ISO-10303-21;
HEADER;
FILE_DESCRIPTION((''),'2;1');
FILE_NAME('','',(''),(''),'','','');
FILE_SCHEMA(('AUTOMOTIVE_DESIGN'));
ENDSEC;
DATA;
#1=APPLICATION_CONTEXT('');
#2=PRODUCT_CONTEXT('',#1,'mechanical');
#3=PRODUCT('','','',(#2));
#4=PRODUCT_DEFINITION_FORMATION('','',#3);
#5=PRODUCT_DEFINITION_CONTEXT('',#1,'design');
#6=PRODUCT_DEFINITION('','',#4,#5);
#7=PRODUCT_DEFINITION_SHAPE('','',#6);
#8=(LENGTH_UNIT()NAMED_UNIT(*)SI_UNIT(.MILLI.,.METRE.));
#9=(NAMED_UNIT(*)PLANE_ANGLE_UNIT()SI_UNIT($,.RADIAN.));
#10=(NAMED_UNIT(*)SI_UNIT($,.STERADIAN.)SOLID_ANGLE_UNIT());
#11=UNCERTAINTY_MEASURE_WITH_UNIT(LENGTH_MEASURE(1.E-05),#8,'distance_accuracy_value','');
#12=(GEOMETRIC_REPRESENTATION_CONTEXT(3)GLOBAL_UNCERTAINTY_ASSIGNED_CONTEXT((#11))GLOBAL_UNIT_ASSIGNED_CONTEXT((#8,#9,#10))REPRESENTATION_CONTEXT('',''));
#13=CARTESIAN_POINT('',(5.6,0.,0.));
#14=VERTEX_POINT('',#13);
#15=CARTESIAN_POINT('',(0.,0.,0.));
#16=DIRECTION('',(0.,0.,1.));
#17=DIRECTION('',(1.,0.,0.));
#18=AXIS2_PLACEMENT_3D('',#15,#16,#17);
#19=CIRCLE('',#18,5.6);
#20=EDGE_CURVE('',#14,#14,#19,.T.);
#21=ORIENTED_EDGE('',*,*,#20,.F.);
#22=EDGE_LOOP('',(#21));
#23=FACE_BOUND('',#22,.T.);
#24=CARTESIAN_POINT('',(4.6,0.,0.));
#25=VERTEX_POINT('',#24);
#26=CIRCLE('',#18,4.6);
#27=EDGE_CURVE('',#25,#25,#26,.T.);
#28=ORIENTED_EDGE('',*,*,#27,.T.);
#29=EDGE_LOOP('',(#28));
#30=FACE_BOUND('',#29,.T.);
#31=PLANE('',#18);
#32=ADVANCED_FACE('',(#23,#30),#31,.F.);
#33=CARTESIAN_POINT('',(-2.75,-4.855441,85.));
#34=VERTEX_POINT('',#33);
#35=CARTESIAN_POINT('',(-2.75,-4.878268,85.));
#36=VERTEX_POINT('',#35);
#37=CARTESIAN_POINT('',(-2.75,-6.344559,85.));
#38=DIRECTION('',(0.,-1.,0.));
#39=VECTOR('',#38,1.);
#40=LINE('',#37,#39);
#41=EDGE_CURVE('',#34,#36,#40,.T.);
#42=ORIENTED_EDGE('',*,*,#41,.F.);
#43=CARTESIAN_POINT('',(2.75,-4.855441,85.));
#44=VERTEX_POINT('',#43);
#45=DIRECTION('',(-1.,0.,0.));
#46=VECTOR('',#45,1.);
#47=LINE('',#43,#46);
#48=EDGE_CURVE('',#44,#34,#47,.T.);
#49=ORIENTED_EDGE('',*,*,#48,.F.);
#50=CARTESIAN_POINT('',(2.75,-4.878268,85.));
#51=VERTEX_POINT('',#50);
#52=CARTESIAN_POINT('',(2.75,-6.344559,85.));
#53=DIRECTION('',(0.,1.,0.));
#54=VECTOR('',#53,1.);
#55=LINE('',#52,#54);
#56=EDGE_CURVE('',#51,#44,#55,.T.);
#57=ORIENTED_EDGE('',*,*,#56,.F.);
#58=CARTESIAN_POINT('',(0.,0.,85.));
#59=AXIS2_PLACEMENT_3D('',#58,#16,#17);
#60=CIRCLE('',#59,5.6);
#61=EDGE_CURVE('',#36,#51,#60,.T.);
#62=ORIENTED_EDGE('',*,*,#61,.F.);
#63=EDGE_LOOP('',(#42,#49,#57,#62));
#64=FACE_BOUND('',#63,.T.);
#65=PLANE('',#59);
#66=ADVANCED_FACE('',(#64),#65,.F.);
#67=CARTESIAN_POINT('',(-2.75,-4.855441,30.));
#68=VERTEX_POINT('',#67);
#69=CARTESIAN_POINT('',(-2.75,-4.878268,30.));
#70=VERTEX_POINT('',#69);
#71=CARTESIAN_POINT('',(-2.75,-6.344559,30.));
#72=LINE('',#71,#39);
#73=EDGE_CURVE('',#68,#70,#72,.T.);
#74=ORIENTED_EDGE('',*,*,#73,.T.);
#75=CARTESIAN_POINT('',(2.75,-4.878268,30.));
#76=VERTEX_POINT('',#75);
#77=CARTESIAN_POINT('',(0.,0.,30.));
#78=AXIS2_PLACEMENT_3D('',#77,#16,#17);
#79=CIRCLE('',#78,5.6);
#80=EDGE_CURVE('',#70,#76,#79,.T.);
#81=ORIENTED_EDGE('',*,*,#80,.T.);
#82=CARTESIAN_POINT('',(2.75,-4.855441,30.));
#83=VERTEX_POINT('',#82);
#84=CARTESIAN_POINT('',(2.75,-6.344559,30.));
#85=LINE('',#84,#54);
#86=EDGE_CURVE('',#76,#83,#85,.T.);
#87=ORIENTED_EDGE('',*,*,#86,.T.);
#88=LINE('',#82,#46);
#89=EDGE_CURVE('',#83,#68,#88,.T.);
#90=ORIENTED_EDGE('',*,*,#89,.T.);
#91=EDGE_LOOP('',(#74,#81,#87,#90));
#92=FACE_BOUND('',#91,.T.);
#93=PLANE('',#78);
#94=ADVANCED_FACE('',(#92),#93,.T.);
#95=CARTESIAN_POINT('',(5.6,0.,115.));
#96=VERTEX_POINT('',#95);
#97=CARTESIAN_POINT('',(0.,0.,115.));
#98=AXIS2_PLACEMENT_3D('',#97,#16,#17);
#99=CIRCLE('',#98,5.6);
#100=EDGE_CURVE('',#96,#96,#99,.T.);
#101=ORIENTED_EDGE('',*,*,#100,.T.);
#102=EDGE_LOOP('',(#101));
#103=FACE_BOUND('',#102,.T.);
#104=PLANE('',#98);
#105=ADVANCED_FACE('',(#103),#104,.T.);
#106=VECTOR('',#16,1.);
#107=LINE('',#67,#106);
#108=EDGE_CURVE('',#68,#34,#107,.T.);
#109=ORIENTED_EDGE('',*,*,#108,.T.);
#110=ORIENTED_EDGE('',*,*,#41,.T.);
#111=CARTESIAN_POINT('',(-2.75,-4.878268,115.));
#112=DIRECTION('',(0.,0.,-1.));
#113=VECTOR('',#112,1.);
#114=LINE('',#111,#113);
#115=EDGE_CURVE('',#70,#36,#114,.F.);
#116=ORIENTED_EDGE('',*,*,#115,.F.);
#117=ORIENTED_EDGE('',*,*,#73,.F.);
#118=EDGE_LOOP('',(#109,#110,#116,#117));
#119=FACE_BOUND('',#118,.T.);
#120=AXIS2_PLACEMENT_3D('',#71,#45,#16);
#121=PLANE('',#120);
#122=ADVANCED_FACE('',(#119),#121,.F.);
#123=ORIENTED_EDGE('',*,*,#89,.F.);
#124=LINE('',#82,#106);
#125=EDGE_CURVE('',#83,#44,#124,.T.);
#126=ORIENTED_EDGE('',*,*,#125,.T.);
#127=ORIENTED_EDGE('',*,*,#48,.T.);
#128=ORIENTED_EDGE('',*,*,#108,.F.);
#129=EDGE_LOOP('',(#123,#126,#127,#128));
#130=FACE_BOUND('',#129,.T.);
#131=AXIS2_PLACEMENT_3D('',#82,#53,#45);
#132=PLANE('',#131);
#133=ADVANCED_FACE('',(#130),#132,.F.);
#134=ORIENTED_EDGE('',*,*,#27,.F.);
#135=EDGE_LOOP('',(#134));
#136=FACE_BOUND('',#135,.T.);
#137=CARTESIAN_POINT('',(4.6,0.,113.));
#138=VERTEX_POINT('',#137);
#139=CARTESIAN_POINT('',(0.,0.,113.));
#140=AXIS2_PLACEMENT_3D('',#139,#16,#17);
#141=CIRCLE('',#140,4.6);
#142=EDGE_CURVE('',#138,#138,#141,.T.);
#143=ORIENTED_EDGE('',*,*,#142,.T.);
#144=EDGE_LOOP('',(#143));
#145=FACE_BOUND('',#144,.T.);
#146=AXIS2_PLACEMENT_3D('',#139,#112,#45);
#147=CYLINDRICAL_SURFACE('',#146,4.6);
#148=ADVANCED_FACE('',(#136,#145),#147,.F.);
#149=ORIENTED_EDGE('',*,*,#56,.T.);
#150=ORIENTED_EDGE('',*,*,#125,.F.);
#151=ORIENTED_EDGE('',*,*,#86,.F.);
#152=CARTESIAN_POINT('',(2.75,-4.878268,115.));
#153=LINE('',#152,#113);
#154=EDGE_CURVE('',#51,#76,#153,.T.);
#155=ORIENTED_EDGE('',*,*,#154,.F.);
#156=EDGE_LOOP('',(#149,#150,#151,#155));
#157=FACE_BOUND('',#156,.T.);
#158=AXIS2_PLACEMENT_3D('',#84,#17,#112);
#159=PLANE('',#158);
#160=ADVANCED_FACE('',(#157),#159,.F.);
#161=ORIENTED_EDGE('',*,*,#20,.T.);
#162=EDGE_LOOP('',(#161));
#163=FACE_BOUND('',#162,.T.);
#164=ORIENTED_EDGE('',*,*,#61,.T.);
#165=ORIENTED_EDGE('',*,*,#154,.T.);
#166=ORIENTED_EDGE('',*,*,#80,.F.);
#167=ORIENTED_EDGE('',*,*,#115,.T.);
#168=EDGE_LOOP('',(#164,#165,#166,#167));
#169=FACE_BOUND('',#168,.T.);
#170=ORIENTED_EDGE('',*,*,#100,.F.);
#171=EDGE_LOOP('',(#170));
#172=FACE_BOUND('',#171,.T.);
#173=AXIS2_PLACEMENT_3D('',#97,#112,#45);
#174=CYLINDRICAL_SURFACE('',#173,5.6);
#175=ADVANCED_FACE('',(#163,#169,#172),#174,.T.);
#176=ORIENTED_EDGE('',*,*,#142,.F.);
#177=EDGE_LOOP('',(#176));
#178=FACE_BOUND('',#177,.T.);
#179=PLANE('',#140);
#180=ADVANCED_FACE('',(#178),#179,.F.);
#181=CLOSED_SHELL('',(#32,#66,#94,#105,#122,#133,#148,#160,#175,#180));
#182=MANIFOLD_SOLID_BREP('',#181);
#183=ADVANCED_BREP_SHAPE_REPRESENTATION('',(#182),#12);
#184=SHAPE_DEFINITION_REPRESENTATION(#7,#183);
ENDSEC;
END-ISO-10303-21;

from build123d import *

# Parameters (mm, degrees)
SKETCH1_R           = 5.6
BOSS_EXTRUDE1_DEPTH = 115
SKETCH1_3_R         = 4.6
CUT_EXTRUDE1_DEPTH  = 113
SKETCH2_W           = 5.5
SKETCH2_H           = 1.489117796
CUT_EXTRUDE2_DEPTH  = 55


with BuildPart() as part:
    # Sketch1 → Boss-Extrude1 (new body)
    with BuildSketch(Plane.XY):
        Circle(SKETCH1_R)
    extrude(amount=BOSS_EXTRUDE1_DEPTH)

    # Sketch1<3> → Cut-Extrude1 (cut)
    with BuildSketch(Plane.XY):
        Circle(SKETCH1_3_R)
    extrude(amount=CUT_EXTRUDE1_DEPTH, mode=Mode.SUBTRACT)

    # Sketch2 → Cut-Extrude2 (cut)
    with BuildSketch(Plane.XY.offset(85)):
        with Locations((0, -5.6)):
            Rectangle(SKETCH2_W, SKETCH2_H)
    extrude(amount=-CUT_EXTRUDE2_DEPTH, mode=Mode.SUBTRACT)


solid = part.part
